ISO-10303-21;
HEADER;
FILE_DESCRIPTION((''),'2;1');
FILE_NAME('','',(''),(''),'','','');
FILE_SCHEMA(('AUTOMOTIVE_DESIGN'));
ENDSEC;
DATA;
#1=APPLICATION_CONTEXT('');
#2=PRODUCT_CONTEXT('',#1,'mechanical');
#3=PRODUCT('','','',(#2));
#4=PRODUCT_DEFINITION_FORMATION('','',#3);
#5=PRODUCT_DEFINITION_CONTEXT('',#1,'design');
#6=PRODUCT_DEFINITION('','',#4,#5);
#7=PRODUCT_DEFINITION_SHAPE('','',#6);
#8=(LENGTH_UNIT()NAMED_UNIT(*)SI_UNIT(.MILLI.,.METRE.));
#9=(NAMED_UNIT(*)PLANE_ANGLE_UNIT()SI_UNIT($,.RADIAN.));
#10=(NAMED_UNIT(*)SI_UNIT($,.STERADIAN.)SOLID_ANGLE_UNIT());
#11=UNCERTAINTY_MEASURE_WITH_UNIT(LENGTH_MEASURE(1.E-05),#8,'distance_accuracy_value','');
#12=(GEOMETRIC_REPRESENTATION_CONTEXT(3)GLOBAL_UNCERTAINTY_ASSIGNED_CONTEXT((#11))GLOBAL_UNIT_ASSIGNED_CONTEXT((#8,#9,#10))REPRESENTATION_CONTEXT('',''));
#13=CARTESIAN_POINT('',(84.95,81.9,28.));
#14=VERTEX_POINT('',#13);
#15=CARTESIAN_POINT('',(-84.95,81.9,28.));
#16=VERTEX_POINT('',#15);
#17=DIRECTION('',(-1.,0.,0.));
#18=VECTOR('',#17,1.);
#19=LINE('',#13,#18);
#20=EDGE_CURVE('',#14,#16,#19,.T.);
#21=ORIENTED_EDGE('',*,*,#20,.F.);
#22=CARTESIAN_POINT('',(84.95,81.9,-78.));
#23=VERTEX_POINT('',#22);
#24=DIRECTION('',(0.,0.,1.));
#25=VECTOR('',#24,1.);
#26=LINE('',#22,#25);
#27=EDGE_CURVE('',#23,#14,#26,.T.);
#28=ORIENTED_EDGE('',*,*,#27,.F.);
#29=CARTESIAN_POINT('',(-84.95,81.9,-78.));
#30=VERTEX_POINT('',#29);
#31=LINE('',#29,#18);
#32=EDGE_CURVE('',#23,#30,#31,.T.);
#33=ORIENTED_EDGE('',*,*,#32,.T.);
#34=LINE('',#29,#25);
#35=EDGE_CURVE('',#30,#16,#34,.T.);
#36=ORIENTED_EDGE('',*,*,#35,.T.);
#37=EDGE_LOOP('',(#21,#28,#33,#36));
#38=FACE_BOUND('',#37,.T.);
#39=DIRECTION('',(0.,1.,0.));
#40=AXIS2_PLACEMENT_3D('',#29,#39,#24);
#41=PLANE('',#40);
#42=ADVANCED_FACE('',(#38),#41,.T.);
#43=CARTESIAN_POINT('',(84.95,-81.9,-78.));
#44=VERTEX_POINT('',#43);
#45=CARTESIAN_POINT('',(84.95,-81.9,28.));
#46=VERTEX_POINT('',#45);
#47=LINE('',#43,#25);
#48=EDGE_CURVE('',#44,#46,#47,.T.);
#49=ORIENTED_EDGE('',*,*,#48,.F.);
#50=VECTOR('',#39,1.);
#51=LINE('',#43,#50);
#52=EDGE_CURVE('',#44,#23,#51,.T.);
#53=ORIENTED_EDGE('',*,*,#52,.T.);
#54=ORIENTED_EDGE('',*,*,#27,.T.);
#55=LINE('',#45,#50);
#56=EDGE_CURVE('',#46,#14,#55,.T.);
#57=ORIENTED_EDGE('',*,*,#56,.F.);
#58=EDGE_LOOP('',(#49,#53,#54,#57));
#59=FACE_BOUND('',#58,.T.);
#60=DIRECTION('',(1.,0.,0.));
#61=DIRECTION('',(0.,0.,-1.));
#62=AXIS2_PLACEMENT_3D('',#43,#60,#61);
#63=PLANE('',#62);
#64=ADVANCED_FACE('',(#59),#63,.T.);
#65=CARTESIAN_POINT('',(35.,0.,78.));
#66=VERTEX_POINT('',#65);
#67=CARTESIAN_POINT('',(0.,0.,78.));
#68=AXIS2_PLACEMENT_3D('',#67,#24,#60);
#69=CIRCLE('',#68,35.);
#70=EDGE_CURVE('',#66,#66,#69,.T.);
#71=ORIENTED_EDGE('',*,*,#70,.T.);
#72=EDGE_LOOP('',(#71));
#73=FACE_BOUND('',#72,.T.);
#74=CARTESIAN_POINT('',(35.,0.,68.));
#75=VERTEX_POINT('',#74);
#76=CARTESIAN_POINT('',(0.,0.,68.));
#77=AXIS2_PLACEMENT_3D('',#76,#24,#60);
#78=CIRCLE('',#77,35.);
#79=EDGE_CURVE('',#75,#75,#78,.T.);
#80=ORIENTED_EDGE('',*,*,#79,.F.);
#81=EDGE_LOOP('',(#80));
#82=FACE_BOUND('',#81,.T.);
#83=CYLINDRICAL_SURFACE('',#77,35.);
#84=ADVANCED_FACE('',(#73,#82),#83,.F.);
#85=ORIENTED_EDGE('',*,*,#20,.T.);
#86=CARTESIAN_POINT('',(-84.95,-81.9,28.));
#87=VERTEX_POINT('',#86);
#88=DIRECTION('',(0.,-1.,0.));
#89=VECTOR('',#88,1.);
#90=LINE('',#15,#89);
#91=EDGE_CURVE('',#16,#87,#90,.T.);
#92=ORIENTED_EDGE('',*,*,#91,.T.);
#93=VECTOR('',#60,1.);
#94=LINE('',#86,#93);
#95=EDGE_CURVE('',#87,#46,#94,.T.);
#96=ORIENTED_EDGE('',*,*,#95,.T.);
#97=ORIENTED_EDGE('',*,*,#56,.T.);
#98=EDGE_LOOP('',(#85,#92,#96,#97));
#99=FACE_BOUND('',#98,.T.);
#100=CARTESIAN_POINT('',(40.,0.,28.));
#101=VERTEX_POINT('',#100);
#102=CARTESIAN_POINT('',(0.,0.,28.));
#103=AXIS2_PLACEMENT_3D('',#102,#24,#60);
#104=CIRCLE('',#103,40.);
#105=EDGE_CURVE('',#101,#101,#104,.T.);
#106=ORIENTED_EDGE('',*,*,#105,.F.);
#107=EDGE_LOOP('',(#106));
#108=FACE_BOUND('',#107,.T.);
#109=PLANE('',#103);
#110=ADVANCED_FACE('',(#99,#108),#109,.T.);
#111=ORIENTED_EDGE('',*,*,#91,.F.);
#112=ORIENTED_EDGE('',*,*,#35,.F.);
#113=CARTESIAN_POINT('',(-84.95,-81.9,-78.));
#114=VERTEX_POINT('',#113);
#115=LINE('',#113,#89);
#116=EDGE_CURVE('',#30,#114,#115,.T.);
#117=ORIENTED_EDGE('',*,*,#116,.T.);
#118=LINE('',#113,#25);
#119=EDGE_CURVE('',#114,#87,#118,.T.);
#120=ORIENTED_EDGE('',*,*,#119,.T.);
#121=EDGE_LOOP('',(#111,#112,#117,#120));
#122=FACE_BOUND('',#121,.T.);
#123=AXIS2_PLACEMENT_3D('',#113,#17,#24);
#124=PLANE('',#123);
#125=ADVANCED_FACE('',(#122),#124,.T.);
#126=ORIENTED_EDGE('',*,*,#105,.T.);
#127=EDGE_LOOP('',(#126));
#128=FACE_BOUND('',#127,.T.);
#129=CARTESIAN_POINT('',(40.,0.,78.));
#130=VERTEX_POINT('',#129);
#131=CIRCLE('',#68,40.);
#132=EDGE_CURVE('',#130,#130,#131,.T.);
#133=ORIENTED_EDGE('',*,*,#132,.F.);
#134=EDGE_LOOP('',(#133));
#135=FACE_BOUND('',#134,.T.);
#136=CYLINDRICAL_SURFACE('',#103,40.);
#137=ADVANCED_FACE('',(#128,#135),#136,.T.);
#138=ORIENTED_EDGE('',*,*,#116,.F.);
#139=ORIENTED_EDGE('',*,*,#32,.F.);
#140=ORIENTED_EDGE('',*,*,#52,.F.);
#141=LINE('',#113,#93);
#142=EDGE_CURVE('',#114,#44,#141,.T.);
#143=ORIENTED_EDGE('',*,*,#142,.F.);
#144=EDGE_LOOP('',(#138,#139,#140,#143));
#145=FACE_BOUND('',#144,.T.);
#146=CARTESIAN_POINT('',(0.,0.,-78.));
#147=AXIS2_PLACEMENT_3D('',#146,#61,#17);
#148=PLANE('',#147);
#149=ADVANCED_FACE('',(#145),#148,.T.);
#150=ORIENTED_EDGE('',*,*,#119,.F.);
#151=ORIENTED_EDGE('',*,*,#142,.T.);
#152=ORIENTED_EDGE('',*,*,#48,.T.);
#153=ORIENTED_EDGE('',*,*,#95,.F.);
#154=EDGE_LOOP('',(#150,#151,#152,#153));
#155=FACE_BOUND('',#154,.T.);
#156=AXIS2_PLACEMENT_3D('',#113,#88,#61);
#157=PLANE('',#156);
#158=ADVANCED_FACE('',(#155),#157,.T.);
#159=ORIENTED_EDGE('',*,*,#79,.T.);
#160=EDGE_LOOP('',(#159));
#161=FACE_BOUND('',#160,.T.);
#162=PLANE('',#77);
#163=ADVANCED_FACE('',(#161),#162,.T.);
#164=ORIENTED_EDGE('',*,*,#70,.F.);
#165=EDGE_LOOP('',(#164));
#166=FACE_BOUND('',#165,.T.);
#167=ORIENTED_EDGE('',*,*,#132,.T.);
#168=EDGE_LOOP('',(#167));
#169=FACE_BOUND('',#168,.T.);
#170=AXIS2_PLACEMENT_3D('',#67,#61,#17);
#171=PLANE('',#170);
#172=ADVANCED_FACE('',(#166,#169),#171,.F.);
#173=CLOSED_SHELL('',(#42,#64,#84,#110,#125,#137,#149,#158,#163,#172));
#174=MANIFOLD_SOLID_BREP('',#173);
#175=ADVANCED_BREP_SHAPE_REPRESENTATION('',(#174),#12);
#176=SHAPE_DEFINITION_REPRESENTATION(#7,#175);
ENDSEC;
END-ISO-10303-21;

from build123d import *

# Parameters (mm, degrees)
ESTRUSIONE_ESTRUSIONE1_DEPTH      = 78
ESTRUSIONE_ESTRUSIONE1_DEPTH_BACK = 78
SCHIZZO1_W                        = 169.9
SCHIZZO1_H                        = 163.8
SCHIZZO2_W                        = 169.9
SCHIZZO2_H                        = 163.8
SCHIZZO2_R                        = 40
TAGLIO_ESTRUSIONE1_DEPTH          = 50
SCHIZZO3_R                        = 35
TAGLIO_ESTRUSIONE2_DEPTH          = 10


with BuildPart() as part:
    # Schizzo1 → Estrusione-Estrusione1 (new, two sides: drawn at the far end of the back side and taken through both)
    with BuildSketch(Plane.XY.offset(-ESTRUSIONE_ESTRUSIONE1_DEPTH_BACK)):
        Rectangle(SCHIZZO1_W, SCHIZZO1_H)
    extrude(amount=ESTRUSIONE_ESTRUSIONE1_DEPTH + ESTRUSIONE_ESTRUSIONE1_DEPTH_BACK)

    # Schizzo2 → Taglio-Estrusione1 (cut)
    with BuildSketch(Plane.XY.offset(78)):
        Rectangle(SCHIZZO2_W, SCHIZZO2_H)
        Circle(SCHIZZO2_R, mode=Mode.SUBTRACT)
    extrude(amount=-TAGLIO_ESTRUSIONE1_DEPTH, mode=Mode.SUBTRACT)

    # Schizzo3 → Taglio-Estrusione2 (cut)
    with BuildSketch(Plane.XY.offset(78)):
        Circle(SCHIZZO3_R)
    extrude(amount=-TAGLIO_ESTRUSIONE2_DEPTH, mode=Mode.SUBTRACT)


solid = part.part
